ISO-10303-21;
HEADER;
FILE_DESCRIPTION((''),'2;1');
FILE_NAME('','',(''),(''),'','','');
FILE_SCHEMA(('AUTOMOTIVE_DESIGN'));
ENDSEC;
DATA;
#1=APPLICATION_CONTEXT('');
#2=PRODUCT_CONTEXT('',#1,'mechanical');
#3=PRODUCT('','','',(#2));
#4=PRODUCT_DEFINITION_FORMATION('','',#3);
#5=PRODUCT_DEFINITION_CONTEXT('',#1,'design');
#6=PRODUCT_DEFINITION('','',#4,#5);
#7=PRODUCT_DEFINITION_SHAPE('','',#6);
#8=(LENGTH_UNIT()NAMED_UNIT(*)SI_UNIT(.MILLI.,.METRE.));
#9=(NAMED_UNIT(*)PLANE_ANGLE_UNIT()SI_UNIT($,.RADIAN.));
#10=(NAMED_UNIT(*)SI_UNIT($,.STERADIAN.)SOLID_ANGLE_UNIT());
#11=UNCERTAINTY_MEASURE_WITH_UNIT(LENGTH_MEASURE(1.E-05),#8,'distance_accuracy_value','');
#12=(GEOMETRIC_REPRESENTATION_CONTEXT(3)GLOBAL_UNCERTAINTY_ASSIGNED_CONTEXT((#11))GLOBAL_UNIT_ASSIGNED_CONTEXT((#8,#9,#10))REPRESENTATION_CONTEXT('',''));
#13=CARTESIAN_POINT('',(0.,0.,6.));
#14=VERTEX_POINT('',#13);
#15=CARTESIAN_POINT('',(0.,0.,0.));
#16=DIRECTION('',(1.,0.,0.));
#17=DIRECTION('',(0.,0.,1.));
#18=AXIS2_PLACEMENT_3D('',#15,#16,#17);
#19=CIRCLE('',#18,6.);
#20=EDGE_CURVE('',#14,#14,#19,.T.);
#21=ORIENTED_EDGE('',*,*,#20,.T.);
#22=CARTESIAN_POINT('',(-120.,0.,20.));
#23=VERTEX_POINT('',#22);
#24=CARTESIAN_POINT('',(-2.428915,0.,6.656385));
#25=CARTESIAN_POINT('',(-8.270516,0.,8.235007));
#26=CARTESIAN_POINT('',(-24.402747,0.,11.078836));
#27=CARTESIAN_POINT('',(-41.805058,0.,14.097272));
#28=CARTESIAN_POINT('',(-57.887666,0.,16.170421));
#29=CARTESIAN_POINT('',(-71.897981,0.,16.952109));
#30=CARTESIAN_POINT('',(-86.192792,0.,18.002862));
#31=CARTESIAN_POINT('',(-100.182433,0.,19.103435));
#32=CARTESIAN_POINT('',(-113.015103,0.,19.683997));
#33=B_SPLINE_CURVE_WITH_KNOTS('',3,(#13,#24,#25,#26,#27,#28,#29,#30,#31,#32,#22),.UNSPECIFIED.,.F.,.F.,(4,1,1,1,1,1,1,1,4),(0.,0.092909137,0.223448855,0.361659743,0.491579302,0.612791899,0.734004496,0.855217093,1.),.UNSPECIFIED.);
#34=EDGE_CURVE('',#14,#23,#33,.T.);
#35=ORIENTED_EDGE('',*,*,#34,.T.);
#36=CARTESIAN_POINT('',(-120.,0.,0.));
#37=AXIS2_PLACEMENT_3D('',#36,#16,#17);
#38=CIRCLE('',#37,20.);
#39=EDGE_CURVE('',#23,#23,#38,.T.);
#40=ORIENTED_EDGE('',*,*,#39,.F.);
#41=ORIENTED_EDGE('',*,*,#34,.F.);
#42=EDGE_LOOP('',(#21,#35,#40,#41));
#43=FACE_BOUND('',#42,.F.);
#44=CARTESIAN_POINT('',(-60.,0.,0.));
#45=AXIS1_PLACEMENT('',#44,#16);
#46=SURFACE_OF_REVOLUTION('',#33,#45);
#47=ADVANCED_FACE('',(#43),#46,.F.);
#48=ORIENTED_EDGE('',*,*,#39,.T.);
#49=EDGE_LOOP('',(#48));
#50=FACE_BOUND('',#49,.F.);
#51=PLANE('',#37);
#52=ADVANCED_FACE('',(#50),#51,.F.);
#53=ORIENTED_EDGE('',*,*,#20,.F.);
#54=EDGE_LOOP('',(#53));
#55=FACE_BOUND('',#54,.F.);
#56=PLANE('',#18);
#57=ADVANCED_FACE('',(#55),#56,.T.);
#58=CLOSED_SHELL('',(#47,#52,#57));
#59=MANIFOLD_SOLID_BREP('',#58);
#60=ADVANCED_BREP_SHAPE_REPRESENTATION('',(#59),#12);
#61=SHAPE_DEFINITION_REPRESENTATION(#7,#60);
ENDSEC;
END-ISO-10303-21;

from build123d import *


with BuildPart() as f1:
    # F0 (on Front) → F1 (revolve)
    with BuildSketch(Plane.XZ):
        with BuildLine():
            Line((-120, 0), (0, 0))
            Line((0, 0), (0, 6))
            add(Edge.make_bspline(
                [(0, 6), (-2.4289145378, 6.6563846888), (-8.2705162051, 8.2350066752), (-24.4027474171, 11.0788361144), (-41.8050581803, 14.0972718153), (-57.8876661109, 16.1704213555), (-71.8979805632, 16.9521092619), (-86.1927924876, 18.002862498), (-100.1824333591, 19.103435323), (-113.0151029556, 19.6839969268), (-120, 20)],
                knots=[0, 0, 0, 0, 0.0929091374, 0.2234488548, 0.361659743, 0.4915793017, 0.6127918988, 0.7340044958, 0.8552170928, 1, 1, 1, 1], degree=3))
            Line((-120, 20), (-120, 0))
        make_face()
    revolve(axis=Axis((-60, 0, 0), (1, 0, 0)))


solid = f1.part
